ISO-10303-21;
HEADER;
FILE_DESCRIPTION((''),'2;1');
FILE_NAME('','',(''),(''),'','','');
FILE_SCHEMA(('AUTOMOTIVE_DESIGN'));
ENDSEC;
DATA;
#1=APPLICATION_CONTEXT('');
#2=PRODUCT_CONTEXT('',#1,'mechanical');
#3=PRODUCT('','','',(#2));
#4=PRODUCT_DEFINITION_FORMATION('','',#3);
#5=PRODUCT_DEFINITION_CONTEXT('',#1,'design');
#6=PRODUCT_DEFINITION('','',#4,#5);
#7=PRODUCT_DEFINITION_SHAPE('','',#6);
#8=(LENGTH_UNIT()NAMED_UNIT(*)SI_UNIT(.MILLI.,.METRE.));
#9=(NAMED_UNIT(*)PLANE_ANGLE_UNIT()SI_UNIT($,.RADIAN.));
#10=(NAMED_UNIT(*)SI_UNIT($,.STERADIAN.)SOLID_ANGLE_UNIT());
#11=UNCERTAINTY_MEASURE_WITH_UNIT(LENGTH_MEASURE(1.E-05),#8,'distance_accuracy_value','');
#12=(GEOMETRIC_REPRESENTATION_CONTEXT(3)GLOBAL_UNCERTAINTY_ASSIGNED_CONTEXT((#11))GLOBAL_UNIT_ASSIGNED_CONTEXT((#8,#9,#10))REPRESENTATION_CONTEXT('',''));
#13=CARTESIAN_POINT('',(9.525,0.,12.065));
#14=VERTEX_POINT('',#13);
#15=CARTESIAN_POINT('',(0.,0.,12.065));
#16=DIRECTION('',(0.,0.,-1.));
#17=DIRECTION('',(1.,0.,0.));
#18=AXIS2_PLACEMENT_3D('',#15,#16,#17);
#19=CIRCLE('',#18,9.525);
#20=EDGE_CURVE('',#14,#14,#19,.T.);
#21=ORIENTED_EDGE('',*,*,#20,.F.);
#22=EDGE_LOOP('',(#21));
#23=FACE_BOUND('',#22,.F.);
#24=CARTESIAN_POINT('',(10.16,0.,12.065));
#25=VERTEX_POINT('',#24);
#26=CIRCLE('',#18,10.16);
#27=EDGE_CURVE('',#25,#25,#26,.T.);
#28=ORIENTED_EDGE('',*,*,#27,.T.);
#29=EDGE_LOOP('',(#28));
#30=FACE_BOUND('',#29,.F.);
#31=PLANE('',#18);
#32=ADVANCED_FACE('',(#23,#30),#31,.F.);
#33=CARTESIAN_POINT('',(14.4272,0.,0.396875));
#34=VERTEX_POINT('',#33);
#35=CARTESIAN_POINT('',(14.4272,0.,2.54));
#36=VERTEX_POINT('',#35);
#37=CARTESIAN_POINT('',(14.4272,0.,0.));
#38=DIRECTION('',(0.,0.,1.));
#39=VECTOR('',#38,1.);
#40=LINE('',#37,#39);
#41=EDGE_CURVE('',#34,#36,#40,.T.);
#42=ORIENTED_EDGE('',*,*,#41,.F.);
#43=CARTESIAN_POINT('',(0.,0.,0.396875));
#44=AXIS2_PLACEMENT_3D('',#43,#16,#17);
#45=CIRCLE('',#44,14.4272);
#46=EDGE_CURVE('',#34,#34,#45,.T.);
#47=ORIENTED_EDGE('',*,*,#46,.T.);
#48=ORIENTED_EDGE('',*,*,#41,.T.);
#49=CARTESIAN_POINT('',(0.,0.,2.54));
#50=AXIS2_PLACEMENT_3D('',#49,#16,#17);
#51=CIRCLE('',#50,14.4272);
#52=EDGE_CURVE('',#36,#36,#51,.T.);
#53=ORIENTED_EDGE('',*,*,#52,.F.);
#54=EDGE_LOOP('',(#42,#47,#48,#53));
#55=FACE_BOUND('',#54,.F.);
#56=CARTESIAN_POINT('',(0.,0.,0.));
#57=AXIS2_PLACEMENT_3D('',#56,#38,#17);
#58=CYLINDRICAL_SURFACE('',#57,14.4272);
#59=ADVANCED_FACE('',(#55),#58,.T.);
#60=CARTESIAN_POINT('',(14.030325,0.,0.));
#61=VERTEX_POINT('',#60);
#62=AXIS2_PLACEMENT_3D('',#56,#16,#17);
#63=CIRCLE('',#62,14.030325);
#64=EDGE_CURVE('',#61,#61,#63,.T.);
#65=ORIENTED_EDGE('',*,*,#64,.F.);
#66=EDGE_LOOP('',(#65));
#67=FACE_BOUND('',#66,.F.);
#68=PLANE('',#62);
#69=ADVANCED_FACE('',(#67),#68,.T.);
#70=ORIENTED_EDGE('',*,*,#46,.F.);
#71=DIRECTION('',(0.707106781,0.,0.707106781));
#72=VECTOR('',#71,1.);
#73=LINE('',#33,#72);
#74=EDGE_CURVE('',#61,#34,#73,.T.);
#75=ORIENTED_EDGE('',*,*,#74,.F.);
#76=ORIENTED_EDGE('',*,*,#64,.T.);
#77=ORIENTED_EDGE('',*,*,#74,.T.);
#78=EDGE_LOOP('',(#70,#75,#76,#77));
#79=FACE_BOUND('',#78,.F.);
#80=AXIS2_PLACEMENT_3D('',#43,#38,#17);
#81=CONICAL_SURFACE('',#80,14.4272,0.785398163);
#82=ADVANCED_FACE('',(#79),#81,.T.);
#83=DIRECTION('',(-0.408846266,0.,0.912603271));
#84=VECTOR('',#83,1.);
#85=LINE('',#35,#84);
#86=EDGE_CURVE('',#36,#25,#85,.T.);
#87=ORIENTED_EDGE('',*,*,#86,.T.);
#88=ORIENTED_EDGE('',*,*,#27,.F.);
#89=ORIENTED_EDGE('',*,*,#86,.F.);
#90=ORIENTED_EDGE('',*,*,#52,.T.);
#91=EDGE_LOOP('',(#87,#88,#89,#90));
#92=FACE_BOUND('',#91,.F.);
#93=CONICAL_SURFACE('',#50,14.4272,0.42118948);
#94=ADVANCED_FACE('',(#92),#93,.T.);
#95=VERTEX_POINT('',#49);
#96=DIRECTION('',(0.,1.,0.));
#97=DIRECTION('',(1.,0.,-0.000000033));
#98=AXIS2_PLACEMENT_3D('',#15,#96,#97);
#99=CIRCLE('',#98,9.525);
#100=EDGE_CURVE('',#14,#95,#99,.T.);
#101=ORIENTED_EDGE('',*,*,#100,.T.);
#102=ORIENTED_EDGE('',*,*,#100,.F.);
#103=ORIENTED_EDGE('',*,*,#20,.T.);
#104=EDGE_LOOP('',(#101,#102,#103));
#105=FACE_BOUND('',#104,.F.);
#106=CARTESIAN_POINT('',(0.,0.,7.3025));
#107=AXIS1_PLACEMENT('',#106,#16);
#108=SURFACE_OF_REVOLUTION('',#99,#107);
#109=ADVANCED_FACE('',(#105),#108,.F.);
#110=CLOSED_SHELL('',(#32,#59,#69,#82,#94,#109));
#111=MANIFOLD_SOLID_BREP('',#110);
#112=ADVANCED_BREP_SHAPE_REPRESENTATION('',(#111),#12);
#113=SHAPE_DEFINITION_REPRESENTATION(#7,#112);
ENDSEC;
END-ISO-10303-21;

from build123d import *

# Parameters (mm, degrees)
F2_SIZE = 0.396875


with BuildPart() as f1:
    # F0 (on Front) → F1 (revolve)
    with BuildSketch(Plane.XZ):
        with BuildLine():
            Line((0, 2.54), (0, 0))
            Line((0, 0), (14.4272, 0))
            Line((14.4272, 0), (14.4272, 2.54))
            Line((14.4272, 2.54), (10.16, 12.065))
            Line((10.16, 12.065), (9.525, 12.065))
            ThreePointArc((9.525, 12.065), (6.735192, 5.329808), (0, 2.54))
        make_face()
    revolve(axis=Axis((0, 0, 7.3025), (0, 0, -1)))

    # F2
    f2_edges = [f1.edges().sort_by_distance(p)[0] for p in [
        (-14.4272, 0, 0),
    ]]
    chamfer(f2_edges, length=F2_SIZE)


solid = f1.part
